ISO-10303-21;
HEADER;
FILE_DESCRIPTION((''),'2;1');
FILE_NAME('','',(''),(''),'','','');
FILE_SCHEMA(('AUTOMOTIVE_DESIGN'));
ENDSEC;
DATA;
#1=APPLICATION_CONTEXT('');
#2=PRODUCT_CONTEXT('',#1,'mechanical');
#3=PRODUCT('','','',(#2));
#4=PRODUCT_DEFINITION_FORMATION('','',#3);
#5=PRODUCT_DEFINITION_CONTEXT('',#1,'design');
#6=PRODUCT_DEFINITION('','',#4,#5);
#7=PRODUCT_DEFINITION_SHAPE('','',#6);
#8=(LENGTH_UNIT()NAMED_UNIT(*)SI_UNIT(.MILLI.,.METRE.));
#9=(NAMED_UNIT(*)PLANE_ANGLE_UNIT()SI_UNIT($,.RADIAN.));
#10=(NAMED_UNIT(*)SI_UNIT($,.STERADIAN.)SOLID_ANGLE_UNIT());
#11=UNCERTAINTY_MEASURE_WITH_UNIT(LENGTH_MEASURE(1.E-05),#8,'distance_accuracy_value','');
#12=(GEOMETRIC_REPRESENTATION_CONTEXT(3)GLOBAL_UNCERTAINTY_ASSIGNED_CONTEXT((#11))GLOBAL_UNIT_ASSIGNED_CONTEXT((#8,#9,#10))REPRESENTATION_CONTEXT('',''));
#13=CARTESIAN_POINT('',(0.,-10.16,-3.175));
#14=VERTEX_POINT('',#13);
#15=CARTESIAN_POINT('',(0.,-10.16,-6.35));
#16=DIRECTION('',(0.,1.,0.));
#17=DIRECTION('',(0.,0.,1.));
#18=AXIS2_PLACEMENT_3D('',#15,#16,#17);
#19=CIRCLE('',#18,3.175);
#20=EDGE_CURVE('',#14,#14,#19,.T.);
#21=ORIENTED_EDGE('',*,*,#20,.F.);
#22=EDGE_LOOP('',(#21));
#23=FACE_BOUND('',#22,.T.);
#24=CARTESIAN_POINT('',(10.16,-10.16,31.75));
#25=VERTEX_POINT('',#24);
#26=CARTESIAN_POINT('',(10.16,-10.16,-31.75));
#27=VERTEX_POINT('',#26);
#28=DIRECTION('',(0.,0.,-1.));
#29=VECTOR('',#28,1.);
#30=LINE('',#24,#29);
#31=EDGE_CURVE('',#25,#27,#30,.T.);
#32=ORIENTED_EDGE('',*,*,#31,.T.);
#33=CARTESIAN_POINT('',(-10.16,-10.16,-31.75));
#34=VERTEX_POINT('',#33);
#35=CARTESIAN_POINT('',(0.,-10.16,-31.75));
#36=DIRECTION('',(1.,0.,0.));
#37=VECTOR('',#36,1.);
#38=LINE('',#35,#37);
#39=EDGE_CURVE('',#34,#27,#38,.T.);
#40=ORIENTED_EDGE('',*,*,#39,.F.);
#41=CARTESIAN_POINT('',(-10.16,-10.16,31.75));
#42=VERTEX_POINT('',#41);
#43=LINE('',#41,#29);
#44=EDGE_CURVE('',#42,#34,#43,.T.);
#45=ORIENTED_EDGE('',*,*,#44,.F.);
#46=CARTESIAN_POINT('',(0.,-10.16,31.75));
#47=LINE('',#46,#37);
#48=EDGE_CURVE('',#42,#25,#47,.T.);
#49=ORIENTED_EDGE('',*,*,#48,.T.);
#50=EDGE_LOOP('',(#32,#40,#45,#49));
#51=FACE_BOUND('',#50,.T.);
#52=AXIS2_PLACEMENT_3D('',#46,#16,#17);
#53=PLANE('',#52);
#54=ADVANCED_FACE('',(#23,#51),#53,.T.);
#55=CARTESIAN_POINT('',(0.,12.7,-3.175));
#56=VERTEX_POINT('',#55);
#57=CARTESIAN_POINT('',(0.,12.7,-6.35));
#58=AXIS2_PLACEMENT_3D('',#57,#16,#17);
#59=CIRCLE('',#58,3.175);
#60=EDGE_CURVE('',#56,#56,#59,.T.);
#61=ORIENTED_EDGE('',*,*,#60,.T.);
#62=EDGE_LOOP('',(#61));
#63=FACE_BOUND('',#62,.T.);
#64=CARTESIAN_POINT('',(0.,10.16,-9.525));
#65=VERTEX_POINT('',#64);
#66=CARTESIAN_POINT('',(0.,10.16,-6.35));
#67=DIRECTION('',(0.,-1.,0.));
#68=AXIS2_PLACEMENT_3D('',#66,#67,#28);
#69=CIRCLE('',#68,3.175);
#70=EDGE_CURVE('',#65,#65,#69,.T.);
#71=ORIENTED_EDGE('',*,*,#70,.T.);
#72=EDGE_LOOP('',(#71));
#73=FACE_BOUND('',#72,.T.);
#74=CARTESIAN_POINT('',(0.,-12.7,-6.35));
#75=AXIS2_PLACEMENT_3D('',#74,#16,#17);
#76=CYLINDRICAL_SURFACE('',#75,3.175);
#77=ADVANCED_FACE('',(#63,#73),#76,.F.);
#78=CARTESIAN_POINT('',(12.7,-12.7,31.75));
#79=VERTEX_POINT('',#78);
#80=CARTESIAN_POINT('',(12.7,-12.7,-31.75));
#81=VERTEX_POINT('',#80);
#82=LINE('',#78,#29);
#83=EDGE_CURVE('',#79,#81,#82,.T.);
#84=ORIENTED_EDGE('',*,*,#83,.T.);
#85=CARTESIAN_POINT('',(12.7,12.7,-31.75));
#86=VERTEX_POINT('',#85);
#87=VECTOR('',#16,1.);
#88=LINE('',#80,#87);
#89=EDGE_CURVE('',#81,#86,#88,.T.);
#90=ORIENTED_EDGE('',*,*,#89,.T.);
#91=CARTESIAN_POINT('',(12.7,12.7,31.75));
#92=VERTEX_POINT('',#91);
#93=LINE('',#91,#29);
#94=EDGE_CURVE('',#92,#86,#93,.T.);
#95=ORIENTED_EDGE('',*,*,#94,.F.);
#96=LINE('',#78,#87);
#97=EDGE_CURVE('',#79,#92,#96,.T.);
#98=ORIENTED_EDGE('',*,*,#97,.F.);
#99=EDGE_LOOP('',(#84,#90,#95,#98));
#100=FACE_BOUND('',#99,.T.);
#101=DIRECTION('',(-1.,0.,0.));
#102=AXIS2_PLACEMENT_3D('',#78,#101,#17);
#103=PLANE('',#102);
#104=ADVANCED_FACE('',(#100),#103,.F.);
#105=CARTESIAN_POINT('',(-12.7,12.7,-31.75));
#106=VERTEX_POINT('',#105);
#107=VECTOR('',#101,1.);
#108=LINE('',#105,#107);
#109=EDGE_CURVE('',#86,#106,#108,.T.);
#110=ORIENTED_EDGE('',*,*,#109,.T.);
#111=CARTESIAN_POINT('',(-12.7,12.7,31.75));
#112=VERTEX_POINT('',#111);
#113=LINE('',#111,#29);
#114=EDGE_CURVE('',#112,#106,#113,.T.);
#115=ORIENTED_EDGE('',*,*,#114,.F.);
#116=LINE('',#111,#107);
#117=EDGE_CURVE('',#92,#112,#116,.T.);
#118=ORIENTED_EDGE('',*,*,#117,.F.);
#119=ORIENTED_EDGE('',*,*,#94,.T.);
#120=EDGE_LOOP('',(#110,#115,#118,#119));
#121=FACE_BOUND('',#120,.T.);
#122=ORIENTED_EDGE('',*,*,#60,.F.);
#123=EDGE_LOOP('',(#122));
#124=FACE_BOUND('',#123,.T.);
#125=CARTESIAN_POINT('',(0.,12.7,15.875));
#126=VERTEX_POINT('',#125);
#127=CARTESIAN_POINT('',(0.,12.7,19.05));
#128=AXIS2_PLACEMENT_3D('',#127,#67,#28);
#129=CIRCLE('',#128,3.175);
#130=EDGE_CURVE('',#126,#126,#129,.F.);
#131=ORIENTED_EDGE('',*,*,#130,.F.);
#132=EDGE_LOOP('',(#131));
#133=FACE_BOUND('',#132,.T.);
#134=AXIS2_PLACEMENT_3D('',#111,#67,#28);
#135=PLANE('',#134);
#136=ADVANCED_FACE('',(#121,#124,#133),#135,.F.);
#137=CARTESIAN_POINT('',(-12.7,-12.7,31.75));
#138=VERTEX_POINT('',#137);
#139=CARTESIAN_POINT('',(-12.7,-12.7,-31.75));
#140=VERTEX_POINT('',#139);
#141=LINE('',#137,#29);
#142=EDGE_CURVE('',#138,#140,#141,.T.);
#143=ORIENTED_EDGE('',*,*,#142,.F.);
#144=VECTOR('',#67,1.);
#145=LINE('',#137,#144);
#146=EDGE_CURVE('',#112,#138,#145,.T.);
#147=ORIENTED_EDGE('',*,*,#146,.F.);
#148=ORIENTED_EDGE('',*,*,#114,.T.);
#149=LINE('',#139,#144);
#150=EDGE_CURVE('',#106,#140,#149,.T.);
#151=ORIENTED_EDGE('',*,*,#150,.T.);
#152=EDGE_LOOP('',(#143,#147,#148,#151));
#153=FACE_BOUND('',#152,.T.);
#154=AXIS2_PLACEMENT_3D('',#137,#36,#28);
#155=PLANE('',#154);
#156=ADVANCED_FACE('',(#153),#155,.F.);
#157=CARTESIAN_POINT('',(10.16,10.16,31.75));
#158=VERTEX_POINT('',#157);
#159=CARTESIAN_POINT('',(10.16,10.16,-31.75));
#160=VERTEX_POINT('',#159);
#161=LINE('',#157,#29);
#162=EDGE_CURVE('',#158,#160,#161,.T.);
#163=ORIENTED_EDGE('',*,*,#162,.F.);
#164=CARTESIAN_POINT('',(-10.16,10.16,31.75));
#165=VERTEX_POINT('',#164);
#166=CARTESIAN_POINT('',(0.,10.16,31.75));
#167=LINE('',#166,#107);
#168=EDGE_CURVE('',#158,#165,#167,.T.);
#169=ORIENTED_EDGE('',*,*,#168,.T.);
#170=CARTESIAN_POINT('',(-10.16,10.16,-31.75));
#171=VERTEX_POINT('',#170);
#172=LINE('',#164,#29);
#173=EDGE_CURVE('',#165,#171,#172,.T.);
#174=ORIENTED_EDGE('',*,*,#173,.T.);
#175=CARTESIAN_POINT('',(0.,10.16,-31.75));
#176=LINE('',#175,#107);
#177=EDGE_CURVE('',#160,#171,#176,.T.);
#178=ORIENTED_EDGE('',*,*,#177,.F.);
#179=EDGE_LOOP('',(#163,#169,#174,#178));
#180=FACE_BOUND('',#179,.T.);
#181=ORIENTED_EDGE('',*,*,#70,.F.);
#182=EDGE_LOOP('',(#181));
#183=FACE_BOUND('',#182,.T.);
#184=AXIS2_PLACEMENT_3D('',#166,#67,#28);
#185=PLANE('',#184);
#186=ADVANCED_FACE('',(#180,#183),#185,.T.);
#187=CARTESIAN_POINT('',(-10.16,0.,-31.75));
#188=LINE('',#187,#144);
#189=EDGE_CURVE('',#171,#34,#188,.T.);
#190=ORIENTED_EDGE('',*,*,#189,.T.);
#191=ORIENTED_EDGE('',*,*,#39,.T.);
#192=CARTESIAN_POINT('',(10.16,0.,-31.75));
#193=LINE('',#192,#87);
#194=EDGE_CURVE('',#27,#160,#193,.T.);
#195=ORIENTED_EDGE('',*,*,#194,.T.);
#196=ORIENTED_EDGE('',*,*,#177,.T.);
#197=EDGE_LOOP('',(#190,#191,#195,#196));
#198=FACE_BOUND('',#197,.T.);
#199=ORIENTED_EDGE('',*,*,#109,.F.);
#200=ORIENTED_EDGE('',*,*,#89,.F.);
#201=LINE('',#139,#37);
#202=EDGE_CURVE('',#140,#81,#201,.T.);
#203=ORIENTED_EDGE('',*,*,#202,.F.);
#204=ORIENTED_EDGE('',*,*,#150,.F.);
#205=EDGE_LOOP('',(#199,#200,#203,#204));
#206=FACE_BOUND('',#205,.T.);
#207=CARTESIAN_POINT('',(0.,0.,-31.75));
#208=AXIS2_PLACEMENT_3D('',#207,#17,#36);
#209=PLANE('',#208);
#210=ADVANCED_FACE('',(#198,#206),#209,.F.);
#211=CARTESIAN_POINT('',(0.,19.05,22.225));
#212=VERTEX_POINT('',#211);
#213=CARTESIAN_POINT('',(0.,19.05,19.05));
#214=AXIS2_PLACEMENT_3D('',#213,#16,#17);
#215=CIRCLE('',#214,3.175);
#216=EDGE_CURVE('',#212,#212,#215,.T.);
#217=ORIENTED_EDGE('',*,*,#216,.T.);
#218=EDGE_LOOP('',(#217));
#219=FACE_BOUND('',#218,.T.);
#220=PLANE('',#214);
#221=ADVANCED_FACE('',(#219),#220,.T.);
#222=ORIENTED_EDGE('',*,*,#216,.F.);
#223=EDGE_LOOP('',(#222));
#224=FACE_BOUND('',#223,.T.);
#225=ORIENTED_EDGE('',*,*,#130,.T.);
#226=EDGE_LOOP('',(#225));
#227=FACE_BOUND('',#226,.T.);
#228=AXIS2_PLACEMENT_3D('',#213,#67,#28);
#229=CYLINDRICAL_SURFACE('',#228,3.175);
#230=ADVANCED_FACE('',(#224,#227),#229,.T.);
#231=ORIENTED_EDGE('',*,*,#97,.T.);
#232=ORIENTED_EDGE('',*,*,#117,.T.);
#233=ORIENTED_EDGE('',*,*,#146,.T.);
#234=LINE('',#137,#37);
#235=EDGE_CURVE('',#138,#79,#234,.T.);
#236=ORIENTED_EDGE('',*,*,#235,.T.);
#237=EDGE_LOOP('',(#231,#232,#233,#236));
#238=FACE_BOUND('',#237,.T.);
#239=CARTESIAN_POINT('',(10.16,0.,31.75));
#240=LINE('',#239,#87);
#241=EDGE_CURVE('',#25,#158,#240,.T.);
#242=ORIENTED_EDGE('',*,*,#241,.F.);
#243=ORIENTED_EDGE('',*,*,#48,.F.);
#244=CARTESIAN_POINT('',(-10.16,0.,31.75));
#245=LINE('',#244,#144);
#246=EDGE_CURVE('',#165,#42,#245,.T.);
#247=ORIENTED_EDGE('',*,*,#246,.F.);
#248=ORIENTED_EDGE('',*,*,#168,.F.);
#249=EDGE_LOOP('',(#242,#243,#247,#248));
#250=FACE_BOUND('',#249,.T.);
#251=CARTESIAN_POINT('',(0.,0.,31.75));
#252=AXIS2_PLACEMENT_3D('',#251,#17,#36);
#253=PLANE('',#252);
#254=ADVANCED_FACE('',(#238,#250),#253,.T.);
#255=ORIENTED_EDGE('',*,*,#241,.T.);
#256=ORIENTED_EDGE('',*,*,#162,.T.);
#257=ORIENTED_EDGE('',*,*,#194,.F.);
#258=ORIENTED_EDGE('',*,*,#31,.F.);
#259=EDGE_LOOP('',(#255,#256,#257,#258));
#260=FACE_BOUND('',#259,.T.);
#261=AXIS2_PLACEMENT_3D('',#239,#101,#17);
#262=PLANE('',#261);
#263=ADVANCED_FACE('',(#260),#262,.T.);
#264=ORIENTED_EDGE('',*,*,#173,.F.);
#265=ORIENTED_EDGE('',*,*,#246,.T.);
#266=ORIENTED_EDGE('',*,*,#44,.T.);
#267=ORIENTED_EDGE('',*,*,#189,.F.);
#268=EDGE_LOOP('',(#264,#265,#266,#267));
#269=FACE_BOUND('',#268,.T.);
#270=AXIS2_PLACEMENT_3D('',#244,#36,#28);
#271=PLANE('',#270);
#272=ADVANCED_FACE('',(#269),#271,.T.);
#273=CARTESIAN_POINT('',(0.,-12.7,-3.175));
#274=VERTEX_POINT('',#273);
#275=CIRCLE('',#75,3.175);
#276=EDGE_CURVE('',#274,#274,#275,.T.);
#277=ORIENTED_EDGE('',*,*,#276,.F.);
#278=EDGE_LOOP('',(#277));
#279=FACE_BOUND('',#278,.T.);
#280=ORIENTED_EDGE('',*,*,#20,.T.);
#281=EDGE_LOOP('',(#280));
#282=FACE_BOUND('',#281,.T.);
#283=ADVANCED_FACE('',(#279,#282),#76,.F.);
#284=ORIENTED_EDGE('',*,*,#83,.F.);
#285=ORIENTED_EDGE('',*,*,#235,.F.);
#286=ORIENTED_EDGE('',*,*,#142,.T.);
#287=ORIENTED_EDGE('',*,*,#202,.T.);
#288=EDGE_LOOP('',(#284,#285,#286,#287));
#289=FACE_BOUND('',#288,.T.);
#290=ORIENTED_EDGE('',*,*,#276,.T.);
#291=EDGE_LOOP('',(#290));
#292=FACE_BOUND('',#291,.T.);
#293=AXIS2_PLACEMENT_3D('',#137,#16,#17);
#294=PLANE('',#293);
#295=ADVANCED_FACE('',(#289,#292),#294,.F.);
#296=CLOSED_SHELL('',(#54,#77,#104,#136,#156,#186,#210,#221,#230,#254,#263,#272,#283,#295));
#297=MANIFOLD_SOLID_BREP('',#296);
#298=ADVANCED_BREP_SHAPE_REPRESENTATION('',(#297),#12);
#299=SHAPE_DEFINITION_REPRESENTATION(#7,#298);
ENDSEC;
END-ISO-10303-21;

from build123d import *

# Parameters (mm, degrees)
SKETCH1_W           = 25.4
SKETCH1_H           = 25.4
SKETCH1_W_2         = 20.32
SKETCH1_H_2         = 20.32
EXTRUDE_THIN1_DEPTH = 31.75
SKETCH2_R           = 3.175
BOSS_EXTRUDE1_DEPTH = 6.35
SKETCH4_R           = 3.175
CUT_EXTRUDE1_DEPTH  = 26.4


with BuildPart() as part:
    # Sketch1 → Extrude-Thin1 (new body, symmetric)
    with BuildSketch(Plane.XY):
        Rectangle(SKETCH1_W, SKETCH1_H)
        Rectangle(SKETCH1_W_2, SKETCH1_H_2, mode=Mode.SUBTRACT)
    extrude(amount=EXTRUDE_THIN1_DEPTH, both=True)

    # Sketch2 → Boss-Extrude1 (add)
    with BuildSketch(Plane(origin=(0, 12.7, 0), x_dir=(1, 0, 0), z_dir=(0, 1, 0))):
        with Locations((0, -19.05)):
            Circle(SKETCH2_R)
    extrude(amount=BOSS_EXTRUDE1_DEPTH)

    # Sketch4 → Cut-Extrude1 (cut, through all)
    with BuildSketch(Plane(origin=(0, 12.7, 0), x_dir=(1, 0, 0), z_dir=(0, 1, 0))):
        with Locations((0, 6.35)):
            Circle(SKETCH4_R)
    extrude(amount=-CUT_EXTRUDE1_DEPTH, mode=Mode.SUBTRACT)


solid = part.part
